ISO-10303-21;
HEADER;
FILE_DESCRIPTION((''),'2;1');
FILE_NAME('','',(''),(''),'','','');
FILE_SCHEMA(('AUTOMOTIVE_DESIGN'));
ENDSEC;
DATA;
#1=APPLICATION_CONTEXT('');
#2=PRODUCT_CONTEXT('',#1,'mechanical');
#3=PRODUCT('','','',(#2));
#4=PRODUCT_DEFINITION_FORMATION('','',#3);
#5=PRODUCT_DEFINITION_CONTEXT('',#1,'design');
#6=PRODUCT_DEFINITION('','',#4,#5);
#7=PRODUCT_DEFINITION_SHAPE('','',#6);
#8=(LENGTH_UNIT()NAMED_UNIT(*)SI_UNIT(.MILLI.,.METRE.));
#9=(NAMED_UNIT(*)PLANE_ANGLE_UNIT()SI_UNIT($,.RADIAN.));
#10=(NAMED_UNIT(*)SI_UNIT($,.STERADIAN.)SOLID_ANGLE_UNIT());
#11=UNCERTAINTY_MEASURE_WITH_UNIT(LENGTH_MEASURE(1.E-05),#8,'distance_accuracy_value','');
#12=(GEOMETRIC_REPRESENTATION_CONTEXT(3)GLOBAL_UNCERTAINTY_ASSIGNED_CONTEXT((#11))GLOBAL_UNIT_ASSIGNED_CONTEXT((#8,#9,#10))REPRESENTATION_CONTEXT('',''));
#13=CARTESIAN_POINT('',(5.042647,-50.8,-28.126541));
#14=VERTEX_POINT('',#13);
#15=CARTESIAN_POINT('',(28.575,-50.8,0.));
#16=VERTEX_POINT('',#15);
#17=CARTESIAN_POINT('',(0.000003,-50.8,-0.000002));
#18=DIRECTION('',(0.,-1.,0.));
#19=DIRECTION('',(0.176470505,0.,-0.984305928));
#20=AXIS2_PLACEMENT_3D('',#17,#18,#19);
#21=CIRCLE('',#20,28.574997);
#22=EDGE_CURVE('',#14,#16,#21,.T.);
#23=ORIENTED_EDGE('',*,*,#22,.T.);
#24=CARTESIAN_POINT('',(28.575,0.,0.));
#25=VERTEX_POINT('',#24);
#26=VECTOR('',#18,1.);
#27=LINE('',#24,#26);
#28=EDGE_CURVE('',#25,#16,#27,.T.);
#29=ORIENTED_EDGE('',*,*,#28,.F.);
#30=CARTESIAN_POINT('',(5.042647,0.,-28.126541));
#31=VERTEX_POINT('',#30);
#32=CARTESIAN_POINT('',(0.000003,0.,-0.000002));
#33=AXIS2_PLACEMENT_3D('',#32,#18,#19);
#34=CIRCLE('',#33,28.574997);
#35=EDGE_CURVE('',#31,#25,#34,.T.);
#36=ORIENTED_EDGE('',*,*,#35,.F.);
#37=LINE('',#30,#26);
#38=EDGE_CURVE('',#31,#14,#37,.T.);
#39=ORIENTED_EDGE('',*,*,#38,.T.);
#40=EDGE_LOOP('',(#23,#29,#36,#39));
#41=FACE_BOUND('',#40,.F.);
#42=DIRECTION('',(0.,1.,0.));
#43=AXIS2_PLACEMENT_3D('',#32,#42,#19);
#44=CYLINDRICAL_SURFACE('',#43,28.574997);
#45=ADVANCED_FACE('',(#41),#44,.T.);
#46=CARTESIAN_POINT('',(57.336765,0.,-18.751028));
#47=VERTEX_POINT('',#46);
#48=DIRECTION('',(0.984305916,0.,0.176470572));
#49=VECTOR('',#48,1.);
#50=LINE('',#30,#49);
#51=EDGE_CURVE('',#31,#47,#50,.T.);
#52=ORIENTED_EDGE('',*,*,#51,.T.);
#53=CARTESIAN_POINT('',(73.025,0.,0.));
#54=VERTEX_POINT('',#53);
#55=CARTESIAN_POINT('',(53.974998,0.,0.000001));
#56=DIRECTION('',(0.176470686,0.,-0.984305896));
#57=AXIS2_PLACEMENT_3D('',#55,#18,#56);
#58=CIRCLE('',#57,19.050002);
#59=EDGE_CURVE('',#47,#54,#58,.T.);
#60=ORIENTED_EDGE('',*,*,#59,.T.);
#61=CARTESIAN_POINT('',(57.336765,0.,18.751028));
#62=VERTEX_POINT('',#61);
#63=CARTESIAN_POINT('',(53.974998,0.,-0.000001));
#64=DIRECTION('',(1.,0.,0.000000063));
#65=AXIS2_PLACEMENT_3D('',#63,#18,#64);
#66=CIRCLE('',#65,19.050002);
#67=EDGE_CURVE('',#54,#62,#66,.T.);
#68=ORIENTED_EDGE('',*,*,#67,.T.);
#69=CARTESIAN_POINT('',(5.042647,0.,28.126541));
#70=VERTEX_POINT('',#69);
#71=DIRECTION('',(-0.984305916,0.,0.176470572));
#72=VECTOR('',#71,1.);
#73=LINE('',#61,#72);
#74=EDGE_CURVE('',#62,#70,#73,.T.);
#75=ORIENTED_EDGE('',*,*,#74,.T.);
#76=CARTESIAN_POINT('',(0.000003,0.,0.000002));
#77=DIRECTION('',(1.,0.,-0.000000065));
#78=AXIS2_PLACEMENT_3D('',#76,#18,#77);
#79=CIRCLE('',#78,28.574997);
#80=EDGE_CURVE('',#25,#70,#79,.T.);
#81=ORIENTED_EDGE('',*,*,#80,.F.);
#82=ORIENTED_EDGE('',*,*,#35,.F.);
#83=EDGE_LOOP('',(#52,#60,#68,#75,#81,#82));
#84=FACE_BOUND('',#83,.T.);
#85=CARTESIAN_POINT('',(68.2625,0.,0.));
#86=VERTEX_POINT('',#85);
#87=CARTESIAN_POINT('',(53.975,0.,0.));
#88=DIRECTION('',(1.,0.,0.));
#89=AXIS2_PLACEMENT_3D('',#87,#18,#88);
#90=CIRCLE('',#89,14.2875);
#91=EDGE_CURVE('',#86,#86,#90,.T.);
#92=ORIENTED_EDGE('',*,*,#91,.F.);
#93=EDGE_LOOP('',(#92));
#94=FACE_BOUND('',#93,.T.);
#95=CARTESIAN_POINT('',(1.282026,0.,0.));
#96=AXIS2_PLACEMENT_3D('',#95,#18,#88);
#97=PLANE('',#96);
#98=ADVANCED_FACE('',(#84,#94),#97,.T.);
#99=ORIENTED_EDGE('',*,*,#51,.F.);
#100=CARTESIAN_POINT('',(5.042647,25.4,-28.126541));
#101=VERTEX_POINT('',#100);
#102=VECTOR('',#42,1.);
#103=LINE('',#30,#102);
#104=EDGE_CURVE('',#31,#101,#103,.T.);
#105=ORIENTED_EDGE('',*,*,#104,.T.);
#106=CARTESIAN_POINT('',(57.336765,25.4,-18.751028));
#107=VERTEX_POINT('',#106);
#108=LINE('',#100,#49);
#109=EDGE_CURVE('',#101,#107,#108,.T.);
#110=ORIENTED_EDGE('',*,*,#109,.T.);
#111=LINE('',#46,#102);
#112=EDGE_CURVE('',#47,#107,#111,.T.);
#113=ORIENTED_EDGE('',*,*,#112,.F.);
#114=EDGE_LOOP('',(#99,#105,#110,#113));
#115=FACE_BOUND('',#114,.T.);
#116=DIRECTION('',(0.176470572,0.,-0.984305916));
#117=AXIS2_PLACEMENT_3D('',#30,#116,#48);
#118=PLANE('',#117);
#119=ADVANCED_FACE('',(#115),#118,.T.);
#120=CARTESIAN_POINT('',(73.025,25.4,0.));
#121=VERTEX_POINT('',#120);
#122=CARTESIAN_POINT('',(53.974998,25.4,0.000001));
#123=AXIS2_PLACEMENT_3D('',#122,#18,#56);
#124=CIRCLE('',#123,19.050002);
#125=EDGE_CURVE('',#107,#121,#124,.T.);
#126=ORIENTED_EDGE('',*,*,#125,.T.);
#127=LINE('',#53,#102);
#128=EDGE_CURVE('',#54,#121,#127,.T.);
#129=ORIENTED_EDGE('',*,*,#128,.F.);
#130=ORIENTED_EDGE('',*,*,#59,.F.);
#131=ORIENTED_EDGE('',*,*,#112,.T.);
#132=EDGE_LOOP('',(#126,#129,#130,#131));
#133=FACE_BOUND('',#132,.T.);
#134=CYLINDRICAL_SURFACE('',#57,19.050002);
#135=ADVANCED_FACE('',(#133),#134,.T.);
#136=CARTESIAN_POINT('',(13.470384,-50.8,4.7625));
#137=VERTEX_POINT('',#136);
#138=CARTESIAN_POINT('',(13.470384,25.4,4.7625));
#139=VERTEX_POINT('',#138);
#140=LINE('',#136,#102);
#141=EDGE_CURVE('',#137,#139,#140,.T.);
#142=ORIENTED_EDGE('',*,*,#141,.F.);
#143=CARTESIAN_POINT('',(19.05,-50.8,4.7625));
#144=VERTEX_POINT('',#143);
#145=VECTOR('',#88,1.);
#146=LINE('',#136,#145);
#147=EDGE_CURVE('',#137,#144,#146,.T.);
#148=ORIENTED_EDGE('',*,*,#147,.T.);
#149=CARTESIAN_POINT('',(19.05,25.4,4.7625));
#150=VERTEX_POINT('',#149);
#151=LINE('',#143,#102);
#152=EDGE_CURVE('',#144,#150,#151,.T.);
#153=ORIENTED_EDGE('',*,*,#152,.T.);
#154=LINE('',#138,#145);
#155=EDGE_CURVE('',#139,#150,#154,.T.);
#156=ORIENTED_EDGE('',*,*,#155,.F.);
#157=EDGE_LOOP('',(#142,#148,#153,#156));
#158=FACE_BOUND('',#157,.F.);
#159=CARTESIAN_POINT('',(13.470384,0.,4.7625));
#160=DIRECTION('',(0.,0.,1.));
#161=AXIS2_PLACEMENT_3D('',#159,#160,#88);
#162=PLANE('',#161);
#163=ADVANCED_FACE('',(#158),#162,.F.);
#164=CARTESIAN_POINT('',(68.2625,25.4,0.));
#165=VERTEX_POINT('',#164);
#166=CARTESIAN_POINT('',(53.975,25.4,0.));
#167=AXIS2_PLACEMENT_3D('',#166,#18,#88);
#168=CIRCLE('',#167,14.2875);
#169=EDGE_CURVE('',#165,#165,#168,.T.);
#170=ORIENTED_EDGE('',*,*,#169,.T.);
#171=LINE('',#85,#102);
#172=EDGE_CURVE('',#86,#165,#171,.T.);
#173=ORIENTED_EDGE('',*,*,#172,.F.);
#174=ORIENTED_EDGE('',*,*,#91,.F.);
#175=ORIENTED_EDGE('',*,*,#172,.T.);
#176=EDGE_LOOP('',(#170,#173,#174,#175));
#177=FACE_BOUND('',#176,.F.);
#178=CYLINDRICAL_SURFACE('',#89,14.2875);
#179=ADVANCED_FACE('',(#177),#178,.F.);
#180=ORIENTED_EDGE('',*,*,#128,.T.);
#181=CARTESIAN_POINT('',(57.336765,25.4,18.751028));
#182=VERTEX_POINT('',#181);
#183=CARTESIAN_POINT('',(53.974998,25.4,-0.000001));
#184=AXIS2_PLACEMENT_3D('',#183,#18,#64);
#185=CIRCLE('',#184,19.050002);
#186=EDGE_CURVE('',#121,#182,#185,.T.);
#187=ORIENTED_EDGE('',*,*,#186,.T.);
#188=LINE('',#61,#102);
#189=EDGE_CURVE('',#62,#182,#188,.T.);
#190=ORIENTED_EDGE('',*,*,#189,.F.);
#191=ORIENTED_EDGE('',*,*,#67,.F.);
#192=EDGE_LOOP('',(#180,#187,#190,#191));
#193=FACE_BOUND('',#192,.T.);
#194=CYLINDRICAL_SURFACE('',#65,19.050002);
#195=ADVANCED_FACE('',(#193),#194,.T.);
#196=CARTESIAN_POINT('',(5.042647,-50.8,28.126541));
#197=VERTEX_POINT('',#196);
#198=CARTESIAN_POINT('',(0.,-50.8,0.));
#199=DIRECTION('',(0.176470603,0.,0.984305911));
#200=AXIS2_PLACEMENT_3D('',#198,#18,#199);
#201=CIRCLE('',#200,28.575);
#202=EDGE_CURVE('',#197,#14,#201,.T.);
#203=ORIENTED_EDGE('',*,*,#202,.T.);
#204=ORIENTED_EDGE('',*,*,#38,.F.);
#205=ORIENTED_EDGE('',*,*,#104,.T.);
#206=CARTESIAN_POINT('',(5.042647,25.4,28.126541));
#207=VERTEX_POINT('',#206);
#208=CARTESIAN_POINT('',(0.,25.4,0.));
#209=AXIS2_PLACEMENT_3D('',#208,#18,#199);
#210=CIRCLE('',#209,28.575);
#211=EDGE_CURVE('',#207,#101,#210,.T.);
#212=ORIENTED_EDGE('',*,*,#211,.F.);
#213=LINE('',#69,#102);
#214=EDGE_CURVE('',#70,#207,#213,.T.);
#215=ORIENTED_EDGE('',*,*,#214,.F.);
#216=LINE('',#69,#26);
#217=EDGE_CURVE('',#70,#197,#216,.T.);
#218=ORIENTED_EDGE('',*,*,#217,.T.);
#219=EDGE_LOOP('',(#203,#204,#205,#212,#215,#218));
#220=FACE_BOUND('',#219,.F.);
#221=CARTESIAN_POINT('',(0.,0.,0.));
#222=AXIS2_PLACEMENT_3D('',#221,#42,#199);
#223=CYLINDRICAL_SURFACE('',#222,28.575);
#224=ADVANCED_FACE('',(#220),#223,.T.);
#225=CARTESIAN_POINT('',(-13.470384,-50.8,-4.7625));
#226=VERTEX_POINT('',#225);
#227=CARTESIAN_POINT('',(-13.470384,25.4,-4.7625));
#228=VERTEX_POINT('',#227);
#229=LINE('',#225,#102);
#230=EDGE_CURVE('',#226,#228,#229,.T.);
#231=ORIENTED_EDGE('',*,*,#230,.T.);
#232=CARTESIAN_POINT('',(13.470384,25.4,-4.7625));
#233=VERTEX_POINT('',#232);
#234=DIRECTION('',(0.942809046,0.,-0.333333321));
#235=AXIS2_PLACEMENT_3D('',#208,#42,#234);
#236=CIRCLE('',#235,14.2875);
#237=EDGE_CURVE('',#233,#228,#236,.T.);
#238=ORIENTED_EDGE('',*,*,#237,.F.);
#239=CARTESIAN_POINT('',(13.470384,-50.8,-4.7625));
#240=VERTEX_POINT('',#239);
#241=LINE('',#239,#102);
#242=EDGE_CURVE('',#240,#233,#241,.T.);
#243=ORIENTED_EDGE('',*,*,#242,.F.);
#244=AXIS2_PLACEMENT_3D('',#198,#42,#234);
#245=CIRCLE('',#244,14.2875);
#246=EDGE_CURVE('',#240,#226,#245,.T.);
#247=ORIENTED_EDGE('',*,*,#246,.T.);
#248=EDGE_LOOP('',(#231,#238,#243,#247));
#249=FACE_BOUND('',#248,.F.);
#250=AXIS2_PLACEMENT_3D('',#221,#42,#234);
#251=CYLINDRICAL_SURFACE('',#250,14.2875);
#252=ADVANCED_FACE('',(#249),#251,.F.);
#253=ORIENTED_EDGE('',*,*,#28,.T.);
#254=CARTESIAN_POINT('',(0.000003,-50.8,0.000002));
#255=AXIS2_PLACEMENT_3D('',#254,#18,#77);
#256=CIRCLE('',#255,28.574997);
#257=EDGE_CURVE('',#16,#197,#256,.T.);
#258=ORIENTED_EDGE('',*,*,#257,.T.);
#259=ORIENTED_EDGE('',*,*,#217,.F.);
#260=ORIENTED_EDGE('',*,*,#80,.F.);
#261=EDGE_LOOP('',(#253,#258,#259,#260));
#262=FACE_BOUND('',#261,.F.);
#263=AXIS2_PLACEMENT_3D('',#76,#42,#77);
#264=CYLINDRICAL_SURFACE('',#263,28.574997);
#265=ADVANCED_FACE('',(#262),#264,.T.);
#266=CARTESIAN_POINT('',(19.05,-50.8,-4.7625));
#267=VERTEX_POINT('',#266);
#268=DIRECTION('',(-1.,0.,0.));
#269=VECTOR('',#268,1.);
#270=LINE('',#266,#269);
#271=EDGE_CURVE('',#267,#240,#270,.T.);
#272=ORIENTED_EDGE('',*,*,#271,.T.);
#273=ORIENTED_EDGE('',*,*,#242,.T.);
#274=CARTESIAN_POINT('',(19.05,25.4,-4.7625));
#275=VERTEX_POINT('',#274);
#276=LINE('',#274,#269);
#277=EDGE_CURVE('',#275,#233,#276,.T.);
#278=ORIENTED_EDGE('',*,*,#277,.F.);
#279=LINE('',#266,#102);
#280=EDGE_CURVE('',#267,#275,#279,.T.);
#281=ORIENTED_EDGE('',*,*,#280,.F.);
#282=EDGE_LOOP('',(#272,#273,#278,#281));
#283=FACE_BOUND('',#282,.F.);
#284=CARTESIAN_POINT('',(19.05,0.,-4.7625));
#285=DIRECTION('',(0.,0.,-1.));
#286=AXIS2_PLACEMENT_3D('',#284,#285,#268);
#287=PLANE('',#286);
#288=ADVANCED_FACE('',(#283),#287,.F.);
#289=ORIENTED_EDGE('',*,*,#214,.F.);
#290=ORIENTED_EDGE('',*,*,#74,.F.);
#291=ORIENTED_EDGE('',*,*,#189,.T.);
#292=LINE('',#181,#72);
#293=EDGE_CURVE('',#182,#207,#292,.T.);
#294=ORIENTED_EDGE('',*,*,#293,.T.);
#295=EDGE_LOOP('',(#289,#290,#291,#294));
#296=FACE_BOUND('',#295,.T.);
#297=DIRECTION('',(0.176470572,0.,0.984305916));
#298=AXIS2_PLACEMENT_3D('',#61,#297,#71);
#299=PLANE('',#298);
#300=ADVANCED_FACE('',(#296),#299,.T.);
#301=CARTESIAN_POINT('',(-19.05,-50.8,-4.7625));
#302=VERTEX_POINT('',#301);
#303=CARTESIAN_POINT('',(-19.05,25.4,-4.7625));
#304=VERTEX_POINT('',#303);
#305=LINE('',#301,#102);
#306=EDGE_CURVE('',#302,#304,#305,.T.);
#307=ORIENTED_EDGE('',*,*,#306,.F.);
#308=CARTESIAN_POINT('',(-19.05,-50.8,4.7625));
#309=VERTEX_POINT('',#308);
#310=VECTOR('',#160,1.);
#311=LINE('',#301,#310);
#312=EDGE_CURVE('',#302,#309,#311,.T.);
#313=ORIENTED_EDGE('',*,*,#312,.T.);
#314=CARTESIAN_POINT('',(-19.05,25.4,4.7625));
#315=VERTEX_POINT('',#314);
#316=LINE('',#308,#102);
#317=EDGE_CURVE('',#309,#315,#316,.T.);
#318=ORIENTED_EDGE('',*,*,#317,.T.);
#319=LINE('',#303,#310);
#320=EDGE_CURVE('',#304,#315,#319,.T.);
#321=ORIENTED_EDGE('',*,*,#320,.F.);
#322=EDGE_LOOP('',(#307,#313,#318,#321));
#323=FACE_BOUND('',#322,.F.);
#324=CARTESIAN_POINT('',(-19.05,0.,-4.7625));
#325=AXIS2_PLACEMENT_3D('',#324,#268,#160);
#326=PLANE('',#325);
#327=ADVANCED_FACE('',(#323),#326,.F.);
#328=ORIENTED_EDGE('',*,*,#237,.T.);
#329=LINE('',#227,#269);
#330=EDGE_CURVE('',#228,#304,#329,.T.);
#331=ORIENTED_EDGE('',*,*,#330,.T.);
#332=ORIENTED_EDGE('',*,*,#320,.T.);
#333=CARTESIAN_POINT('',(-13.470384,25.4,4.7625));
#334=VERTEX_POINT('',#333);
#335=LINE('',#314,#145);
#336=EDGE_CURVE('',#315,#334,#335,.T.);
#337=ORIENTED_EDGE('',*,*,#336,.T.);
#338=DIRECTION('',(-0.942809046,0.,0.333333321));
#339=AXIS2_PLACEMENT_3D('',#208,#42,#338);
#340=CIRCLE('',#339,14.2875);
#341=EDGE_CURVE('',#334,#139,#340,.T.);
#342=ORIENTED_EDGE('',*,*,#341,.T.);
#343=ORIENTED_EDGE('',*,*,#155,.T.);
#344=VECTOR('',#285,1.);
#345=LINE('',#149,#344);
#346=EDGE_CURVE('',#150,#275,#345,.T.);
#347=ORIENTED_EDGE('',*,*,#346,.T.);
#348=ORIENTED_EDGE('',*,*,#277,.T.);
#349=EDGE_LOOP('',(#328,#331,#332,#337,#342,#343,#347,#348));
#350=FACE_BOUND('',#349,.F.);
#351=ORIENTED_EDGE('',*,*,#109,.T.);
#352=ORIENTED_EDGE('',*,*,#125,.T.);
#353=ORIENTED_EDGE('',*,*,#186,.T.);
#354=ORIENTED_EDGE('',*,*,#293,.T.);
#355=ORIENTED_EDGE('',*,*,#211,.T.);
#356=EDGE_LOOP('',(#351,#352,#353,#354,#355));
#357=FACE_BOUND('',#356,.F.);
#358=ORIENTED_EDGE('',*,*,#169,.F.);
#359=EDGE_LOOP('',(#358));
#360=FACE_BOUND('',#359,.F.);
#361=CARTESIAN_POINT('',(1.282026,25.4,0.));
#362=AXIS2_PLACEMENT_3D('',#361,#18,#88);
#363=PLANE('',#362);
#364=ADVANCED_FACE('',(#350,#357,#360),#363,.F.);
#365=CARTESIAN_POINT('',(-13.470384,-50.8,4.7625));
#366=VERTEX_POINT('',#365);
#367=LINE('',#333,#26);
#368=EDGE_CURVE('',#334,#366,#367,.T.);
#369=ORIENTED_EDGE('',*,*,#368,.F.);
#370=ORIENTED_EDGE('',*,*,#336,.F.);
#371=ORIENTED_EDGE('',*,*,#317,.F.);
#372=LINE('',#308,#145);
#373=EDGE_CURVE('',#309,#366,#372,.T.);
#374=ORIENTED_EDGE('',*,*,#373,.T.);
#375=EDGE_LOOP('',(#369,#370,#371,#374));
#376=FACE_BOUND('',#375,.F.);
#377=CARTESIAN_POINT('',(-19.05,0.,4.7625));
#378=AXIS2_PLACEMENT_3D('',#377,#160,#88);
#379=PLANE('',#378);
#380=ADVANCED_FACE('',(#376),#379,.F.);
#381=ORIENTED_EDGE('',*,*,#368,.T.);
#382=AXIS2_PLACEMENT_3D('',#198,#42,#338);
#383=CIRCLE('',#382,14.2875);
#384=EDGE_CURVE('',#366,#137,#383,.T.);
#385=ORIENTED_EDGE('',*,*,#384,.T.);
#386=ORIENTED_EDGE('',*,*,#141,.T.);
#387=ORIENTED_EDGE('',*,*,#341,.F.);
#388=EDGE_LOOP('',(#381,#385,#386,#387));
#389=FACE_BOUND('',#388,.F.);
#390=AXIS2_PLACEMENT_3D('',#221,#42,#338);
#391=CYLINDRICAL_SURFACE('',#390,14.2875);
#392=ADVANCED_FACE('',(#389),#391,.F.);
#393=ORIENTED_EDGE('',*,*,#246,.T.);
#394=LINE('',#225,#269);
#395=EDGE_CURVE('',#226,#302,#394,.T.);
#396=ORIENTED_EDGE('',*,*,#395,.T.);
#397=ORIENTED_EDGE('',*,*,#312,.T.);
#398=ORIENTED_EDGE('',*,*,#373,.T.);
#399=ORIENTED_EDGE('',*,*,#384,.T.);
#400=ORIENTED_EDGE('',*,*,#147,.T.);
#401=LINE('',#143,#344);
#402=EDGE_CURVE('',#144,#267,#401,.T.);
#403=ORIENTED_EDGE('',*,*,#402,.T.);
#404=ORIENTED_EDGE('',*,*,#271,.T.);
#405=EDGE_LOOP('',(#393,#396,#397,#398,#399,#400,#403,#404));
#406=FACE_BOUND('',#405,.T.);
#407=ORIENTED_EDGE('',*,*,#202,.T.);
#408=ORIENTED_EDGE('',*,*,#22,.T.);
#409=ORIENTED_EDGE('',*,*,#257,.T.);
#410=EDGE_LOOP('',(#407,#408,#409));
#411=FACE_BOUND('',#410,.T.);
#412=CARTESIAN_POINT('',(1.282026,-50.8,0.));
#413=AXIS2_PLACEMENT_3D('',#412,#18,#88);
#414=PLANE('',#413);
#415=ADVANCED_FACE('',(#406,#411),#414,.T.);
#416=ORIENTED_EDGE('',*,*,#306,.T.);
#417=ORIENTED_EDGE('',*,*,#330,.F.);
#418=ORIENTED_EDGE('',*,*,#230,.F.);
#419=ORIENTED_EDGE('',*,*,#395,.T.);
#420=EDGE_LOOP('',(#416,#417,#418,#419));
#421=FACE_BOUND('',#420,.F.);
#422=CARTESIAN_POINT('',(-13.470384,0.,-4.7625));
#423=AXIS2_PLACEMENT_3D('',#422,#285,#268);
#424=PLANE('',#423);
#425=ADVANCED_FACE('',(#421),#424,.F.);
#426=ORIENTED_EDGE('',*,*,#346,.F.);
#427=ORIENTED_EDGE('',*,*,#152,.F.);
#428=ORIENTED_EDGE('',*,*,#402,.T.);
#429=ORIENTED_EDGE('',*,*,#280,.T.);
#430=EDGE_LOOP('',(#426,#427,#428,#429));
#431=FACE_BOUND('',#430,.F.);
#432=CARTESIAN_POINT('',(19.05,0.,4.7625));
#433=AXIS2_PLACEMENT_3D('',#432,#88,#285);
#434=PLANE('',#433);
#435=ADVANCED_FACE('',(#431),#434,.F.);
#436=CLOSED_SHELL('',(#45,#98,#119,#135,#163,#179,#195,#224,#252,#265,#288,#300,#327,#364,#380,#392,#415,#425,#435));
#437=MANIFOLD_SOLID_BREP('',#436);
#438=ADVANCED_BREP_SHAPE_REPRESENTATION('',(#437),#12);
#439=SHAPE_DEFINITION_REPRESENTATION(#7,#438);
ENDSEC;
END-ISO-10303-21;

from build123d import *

# Parameters (mm, degrees)
F0_R     = 14.2875
F1_DEPTH = 25.4
F2_DEPTH = 50.8


with BuildPart() as f1:
    # F0 (on Front) → F1 (new body)
    with BuildSketch(Plane.XZ):
        with BuildLine():
            ThreePointArc((5.042647, -28.126541), (21.916025, -18.336262), (28.575, 0))
            ThreePointArc((28.575, 0), (21.916025, 18.336262), (5.042647, 28.126541))
            ThreePointArc((5.042647, 28.126541), (-28.575, 0), (5.042647, -28.126541))
        make_face()
        with BuildLine():
            ThreePointArc((-13.470384, 4.7625), (0, 14.2875), (13.470384, 4.7625))
            Line((13.470384, 4.7625), (19.05, 4.7625))
            Line((19.05, 4.7625), (19.05, -4.7625))
            Line((19.05, -4.7625), (13.470384, -4.7625))
            ThreePointArc((13.470384, -4.7625), (0, -14.2875), (-13.470384, -4.7625))
            Line((-13.470384, -4.7625), (-19.05, -4.7625))
            Line((-19.05, -4.7625), (-19.05, 4.7625))
            Line((-19.05, 4.7625), (-13.470384, 4.7625))
        make_face(mode=Mode.SUBTRACT)
        with BuildLine():
            ThreePointArc((5.042647, 28.126541), (21.916025, 18.336262), (28.575, 0))
            ThreePointArc((28.575, 0), (21.916025, -18.336262), (5.042647, -28.126541))
            Line((5.042647, -28.126541), (57.336765, -18.751028))
            ThreePointArc((57.336765, -18.751028), (34.925, 0), (57.336765, 18.751028))
            Line((57.336765, 18.751028), (5.042647, 28.126541))
        make_face()
        with BuildLine():
            ThreePointArc((73.025, 0), (68.585683, 12.224174), (57.336765, 18.751028))
            ThreePointArc((57.336765, 18.751028), (34.925, 0), (57.336765, -18.751028))
            ThreePointArc((57.336765, -18.751028), (68.585683, -12.224174), (73.025, 0))
        make_face()
        with Locations((53.975, 0)):
            Circle(F0_R, mode=Mode.SUBTRACT)
    extrude(amount=-F1_DEPTH)

    # F0 (on Front) → F2 (join)
    with BuildSketch(Plane.XZ):
        with BuildLine():
            ThreePointArc((5.042647, -28.126541), (21.916025, -18.336262), (28.575, 0))
            ThreePointArc((28.575, 0), (21.916025, 18.336262), (5.042647, 28.126541))
            ThreePointArc((5.042647, 28.126541), (-28.575, 0), (5.042647, -28.126541))
        make_face()
        with BuildLine():
            ThreePointArc((-13.470384, 4.7625), (0, 14.2875), (13.470384, 4.7625))
            Line((13.470384, 4.7625), (19.05, 4.7625))
            Line((19.05, 4.7625), (19.05, -4.7625))
            Line((19.05, -4.7625), (13.470384, -4.7625))
            ThreePointArc((13.470384, -4.7625), (0, -14.2875), (-13.470384, -4.7625))
            Line((-13.470384, -4.7625), (-19.05, -4.7625))
            Line((-19.05, -4.7625), (-19.05, 4.7625))
            Line((-19.05, 4.7625), (-13.470384, 4.7625))
        make_face(mode=Mode.SUBTRACT)
    extrude(amount=F2_DEPTH)


solid = f1.part
